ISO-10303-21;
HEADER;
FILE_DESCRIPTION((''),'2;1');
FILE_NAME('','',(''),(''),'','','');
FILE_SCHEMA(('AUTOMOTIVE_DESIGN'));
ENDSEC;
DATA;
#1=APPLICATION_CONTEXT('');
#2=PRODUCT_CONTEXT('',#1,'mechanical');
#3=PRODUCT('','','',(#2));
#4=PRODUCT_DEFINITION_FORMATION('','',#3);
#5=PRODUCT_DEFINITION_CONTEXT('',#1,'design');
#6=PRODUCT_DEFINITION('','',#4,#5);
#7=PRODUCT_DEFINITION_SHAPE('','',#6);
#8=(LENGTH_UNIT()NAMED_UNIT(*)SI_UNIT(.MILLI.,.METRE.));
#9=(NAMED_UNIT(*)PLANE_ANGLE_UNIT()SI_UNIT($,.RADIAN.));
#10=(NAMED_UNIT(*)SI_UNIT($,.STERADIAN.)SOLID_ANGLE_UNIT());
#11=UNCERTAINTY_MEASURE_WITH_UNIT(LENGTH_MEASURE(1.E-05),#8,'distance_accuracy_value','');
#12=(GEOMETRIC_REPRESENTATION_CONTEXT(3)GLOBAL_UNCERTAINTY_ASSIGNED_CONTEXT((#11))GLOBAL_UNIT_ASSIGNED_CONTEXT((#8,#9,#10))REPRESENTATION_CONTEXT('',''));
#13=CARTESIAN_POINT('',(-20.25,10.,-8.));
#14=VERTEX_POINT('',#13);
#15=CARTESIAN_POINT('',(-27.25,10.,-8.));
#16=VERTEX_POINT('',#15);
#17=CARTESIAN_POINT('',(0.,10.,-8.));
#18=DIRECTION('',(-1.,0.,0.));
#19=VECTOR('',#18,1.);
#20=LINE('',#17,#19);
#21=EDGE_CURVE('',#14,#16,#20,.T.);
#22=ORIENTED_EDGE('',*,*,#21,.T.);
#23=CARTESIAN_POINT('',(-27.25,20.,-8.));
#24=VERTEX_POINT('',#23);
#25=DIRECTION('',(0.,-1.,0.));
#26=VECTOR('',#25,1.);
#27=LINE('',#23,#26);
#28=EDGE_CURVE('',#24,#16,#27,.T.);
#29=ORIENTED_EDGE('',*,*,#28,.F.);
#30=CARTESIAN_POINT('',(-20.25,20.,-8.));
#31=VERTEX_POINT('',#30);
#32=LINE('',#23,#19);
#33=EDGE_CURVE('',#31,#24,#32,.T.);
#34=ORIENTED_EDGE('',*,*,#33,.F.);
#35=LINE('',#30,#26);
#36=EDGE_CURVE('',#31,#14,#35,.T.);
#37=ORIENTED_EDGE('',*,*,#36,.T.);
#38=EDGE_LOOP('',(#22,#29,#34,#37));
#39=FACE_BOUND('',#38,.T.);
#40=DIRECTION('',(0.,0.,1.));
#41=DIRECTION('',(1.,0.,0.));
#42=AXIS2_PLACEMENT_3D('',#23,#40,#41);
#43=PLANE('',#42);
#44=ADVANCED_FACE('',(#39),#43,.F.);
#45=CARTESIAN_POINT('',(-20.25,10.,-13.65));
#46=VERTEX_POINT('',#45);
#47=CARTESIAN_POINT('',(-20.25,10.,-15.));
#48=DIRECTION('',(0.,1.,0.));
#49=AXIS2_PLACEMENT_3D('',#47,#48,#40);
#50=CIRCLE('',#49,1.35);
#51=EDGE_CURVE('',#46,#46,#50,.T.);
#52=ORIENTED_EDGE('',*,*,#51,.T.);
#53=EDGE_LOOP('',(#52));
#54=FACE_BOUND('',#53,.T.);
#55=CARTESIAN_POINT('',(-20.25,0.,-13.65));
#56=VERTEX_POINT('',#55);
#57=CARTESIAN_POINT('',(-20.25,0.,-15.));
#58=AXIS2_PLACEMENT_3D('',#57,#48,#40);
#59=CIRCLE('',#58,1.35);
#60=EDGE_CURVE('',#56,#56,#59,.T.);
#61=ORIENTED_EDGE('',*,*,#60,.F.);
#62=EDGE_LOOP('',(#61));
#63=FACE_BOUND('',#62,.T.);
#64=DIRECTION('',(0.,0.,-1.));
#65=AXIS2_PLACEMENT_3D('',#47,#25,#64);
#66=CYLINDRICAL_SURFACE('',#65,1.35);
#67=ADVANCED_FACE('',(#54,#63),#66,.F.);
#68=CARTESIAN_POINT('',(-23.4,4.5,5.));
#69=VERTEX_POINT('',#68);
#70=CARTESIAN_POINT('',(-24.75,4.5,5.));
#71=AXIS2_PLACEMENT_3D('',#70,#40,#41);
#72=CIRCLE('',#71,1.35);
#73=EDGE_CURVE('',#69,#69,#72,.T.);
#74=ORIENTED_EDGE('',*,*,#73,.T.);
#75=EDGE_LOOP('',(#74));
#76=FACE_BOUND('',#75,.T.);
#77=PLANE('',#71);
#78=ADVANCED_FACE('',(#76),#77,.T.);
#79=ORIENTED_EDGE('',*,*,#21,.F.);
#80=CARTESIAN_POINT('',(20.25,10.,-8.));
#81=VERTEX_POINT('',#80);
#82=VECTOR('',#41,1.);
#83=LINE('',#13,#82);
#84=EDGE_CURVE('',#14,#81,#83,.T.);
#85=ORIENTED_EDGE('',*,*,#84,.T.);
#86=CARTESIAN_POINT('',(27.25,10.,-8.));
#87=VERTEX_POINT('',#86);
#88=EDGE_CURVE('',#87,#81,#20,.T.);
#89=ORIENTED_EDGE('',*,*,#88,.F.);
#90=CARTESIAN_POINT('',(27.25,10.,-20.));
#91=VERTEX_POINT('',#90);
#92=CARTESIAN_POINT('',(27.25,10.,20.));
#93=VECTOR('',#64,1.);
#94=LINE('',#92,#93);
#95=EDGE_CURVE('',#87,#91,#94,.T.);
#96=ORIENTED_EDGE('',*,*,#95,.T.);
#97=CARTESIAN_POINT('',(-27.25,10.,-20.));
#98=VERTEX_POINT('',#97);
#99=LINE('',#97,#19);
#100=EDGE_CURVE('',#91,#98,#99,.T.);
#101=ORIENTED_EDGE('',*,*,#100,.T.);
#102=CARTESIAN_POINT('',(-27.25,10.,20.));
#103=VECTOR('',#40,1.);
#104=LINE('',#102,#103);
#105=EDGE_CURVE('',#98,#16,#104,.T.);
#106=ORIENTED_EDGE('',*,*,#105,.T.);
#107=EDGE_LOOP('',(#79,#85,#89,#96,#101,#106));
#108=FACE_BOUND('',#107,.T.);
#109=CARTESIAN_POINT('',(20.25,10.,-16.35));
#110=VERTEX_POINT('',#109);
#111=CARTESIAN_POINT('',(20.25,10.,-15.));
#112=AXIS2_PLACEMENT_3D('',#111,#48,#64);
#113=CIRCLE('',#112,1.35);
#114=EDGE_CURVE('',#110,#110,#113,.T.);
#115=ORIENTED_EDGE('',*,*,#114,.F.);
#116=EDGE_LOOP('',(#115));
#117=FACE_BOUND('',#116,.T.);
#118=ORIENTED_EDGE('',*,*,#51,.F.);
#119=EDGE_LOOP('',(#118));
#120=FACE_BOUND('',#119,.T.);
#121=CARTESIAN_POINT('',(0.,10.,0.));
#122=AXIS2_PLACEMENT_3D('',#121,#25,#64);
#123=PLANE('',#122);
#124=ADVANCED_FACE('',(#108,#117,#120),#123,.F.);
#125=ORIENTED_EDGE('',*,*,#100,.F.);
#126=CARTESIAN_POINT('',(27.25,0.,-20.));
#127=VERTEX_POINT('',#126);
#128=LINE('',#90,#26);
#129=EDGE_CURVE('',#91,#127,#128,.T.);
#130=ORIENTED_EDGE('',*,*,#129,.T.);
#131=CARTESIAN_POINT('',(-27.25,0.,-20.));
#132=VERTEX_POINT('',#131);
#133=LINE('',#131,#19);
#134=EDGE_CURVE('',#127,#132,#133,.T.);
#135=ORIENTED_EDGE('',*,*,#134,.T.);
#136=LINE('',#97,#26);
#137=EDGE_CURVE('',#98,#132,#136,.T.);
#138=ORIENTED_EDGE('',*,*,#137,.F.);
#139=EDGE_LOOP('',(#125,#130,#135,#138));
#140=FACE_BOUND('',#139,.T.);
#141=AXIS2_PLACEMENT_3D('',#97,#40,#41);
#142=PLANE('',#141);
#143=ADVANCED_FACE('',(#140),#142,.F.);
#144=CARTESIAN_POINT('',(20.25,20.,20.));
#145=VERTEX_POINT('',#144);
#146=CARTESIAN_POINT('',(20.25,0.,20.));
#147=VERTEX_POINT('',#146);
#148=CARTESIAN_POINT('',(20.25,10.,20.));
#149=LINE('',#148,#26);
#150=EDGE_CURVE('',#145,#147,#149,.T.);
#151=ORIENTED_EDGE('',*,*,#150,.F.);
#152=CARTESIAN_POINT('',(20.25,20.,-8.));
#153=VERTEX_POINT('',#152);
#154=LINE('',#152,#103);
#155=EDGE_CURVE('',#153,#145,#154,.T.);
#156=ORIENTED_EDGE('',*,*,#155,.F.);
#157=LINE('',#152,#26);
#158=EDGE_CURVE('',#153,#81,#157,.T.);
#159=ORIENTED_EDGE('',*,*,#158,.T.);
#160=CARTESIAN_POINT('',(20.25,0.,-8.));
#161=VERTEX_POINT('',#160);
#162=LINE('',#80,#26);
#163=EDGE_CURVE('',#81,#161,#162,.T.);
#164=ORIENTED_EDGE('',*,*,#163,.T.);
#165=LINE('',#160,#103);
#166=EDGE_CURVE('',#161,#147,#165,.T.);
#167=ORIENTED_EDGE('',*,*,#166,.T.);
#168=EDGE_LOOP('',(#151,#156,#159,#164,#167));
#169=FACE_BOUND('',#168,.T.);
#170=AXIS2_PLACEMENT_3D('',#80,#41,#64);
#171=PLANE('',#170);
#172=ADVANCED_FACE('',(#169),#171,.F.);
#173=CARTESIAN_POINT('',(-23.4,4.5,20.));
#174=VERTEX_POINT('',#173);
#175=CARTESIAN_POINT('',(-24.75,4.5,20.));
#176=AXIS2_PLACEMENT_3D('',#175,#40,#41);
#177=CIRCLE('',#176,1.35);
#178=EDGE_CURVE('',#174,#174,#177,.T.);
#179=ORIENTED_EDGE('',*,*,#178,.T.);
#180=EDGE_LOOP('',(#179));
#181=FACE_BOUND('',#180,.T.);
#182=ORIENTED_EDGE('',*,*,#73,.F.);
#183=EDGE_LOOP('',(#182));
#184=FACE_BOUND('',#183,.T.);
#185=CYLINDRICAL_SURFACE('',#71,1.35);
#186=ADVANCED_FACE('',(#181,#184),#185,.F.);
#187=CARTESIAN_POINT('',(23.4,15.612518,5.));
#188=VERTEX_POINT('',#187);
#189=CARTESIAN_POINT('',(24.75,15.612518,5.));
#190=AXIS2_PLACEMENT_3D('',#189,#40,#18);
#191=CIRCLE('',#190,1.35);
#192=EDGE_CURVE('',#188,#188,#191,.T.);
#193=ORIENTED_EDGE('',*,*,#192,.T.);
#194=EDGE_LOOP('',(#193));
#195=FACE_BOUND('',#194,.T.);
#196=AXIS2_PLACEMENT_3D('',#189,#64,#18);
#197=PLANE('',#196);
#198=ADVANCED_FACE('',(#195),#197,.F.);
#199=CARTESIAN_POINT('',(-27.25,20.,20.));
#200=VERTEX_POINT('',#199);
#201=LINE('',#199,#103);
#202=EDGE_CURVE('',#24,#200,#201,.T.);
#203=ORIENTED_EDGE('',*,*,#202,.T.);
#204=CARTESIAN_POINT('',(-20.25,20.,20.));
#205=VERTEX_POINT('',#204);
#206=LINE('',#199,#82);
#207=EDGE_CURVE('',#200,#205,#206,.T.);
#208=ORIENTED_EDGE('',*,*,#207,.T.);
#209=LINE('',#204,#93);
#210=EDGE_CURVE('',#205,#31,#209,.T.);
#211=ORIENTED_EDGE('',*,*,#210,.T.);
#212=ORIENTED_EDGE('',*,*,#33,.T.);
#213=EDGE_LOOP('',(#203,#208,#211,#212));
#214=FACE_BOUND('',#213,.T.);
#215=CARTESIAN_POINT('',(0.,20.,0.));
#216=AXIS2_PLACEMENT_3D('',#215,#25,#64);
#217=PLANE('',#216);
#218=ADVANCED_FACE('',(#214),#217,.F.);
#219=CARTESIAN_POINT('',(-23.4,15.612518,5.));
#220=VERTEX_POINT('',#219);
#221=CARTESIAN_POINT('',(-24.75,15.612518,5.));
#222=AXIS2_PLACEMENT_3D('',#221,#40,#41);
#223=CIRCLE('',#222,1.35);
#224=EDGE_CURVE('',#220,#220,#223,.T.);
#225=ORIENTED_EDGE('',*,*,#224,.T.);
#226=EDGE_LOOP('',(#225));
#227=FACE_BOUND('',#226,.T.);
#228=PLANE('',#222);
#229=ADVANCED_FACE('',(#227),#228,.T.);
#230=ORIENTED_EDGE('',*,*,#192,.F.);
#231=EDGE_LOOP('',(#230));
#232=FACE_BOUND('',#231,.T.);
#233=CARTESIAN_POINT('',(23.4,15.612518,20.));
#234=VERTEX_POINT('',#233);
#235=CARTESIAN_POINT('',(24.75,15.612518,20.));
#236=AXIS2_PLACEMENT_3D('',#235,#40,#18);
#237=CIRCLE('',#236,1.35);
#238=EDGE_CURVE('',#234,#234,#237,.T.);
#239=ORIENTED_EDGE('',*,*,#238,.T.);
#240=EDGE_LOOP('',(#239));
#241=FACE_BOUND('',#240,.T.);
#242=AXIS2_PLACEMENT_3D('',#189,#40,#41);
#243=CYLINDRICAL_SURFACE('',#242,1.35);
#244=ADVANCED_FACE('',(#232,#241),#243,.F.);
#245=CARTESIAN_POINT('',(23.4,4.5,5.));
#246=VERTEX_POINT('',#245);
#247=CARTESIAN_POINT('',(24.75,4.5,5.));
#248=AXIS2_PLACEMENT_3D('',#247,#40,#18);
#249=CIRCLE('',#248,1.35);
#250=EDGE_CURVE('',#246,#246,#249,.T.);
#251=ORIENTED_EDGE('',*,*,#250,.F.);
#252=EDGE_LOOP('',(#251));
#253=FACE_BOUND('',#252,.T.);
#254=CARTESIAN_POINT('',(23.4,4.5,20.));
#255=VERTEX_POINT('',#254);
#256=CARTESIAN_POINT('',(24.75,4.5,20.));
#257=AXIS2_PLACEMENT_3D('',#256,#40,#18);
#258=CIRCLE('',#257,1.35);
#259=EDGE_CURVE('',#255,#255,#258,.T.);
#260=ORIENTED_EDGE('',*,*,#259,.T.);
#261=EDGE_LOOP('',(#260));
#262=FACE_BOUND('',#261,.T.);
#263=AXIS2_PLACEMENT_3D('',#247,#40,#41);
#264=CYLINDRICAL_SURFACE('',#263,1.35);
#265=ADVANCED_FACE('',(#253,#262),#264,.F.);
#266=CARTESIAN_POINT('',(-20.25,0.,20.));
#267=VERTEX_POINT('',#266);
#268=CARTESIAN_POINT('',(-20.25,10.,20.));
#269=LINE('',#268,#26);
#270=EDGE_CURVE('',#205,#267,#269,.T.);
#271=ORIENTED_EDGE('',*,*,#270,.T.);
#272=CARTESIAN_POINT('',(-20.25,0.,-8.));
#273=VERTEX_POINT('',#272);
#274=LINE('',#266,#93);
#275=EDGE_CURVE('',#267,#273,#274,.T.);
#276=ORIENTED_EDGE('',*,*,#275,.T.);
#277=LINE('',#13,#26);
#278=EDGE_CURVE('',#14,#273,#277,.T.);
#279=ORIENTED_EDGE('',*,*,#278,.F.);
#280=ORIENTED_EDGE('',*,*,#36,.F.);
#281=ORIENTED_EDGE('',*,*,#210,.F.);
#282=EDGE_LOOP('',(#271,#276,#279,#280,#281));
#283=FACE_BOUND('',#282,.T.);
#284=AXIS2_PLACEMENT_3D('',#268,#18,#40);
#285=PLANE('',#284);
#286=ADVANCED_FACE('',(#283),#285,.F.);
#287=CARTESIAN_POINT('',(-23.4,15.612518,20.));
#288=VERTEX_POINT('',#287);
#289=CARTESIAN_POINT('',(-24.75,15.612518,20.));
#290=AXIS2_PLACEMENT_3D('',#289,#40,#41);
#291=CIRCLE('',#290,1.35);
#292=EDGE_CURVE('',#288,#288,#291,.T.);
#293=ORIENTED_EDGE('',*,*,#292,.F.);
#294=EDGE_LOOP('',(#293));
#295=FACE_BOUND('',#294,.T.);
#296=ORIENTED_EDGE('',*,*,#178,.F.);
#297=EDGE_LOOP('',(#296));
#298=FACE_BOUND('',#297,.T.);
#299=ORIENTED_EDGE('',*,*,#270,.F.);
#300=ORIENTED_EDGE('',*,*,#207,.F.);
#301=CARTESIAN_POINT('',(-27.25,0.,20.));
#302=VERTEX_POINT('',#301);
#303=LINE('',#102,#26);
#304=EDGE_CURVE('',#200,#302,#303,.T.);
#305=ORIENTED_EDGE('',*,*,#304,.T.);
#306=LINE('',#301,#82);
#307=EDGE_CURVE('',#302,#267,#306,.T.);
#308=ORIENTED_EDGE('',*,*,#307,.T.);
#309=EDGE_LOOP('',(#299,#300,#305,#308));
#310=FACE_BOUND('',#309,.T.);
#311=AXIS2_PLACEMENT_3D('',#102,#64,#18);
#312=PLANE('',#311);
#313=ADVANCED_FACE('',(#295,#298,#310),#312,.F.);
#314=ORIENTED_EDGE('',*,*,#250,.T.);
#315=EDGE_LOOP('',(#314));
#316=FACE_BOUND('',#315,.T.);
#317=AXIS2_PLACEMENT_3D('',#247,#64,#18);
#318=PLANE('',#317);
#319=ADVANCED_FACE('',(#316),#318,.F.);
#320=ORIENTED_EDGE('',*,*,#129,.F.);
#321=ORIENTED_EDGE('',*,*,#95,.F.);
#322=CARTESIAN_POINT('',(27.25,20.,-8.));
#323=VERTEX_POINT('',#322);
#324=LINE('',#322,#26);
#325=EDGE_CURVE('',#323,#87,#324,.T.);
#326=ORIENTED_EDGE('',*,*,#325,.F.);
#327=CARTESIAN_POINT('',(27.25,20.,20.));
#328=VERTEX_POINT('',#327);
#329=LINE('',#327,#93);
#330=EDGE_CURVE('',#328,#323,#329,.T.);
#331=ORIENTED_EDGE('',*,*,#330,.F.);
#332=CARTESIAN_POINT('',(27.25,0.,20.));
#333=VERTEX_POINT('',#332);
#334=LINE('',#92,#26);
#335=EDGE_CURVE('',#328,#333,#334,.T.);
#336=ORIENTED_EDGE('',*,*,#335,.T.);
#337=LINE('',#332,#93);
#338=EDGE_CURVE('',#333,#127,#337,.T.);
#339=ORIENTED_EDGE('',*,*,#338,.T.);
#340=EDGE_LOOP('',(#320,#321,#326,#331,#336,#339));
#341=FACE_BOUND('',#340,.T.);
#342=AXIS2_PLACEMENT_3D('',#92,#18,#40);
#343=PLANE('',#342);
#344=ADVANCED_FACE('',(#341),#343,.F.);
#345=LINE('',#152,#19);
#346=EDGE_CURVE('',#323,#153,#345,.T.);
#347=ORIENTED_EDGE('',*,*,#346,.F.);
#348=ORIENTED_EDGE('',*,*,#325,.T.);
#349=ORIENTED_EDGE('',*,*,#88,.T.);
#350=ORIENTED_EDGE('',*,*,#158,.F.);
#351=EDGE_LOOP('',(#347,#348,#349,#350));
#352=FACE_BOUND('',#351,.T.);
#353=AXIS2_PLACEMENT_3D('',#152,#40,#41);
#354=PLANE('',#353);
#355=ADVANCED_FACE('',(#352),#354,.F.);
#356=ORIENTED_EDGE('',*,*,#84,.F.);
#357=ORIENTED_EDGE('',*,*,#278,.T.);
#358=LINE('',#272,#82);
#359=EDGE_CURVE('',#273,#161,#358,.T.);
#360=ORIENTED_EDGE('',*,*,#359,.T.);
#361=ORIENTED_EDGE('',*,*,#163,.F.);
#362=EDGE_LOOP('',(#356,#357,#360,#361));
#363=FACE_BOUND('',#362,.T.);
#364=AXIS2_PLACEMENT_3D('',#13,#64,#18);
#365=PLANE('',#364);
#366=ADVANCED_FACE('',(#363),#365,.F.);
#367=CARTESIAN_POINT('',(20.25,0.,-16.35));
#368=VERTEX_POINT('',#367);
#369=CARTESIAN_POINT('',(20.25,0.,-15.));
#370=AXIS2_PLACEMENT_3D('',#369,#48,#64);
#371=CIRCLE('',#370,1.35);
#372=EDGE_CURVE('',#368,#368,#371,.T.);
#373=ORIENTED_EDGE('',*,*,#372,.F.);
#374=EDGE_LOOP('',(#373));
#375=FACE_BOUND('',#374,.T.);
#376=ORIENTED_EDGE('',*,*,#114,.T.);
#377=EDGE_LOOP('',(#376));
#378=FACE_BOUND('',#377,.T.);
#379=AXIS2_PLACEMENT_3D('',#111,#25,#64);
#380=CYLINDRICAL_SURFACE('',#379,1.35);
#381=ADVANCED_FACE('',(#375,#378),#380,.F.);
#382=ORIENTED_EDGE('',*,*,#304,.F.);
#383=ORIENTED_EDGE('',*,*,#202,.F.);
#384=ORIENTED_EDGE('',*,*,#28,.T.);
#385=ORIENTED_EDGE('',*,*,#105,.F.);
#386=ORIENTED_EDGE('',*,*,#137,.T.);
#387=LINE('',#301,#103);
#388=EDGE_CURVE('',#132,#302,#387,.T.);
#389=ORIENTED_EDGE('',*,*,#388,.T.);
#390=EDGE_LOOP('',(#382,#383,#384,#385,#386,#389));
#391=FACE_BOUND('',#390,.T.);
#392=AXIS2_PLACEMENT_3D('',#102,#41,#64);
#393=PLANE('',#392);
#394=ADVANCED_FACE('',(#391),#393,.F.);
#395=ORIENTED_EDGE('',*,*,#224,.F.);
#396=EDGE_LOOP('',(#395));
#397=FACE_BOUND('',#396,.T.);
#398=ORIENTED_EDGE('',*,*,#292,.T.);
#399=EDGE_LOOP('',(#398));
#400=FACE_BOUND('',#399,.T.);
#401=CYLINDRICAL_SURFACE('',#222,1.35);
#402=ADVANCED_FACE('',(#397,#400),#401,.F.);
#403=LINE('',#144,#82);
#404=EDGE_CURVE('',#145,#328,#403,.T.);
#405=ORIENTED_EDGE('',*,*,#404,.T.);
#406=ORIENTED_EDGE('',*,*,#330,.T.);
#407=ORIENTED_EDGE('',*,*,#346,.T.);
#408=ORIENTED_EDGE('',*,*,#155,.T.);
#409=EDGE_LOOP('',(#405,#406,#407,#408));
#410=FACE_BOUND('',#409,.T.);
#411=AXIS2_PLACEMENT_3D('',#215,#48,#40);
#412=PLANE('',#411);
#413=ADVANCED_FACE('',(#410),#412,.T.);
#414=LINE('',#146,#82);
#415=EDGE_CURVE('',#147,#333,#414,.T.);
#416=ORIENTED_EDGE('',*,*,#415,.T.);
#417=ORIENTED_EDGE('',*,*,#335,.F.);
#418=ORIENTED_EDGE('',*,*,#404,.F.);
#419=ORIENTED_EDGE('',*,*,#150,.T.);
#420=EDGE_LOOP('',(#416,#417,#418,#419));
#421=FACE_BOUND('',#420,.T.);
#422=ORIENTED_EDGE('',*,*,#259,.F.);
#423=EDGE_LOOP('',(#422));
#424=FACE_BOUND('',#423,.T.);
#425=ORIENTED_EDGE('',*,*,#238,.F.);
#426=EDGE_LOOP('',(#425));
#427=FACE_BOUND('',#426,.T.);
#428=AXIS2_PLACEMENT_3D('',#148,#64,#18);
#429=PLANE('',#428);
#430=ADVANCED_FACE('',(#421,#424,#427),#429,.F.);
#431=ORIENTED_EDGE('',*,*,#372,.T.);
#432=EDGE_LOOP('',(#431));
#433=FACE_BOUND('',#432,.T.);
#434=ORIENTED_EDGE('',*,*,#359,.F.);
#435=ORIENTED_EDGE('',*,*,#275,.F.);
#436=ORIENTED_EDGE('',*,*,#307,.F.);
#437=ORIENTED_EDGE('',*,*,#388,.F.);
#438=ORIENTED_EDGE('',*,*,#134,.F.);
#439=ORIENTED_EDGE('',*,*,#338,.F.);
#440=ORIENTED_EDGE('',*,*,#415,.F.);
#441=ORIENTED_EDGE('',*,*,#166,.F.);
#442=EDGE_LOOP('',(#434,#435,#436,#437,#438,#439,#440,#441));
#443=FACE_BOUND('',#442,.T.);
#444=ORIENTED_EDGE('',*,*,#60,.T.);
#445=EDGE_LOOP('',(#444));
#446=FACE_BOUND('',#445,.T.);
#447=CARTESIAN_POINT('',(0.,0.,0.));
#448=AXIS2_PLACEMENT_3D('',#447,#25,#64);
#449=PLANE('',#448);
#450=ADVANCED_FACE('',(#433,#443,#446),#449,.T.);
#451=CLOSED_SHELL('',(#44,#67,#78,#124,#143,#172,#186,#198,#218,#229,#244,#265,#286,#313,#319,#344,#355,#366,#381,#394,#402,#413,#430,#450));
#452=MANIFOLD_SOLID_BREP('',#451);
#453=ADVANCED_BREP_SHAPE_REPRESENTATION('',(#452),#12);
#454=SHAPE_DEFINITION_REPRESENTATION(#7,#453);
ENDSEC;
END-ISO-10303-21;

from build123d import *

# Parameters (mm, degrees)
CROQUIS1_R              = 1.35
SALIENTE_EXTRUIR1_DEPTH = 10
CROQUIS2_W              = 7
CROQUIS2_H              = 28
SALIENTE_EXTRUIR2_DEPTH = 20
CROQUIS3_R              = 1.35
CORTAR_EXTRUIR1_DEPTH   = 15


with BuildPart() as part:
    # Croquis1 → Saliente-Extruir1 (new body)
    with BuildSketch(Plane(origin=(0, 0, 0), x_dir=(1, 0, 0), z_dir=(0, 1, 0))):
        Polygon((-20.25, -20), (-20.25, 8), (20.25, 8), (20.25, -20), (27.25, -20), (27.25, 20), (-27.25, 20), (-27.25, -20), align=None)
        with Locations(Location((-20.25, 15, 0), (0, 0, 270))):
            Circle(CROQUIS1_R, mode=Mode.SUBTRACT)
        with Locations(Location((20.25, 15, 0), (0, 0, 90))):
            Circle(CROQUIS1_R, mode=Mode.SUBTRACT)
    extrude(amount=SALIENTE_EXTRUIR1_DEPTH)

    # Croquis2 → Saliente-Extruir2 (add)
    with BuildSketch(Plane(origin=(0, 0, 0), x_dir=(1, 0, 0), z_dir=(0, 1, 0))):
        with Locations((-23.75, -6)):
            Rectangle(CROQUIS2_W, CROQUIS2_H)
        with Locations((23.75, -6)):
            Rectangle(CROQUIS2_W, CROQUIS2_H)
    extrude(amount=SALIENTE_EXTRUIR2_DEPTH)

    # Croquis3 → Cortar-Extruir1 (cut)
    with BuildSketch(Plane.XY.offset(20)):
        with Locations((-24.75, 15.612517806)):
            Circle(CROQUIS3_R)
        with Locations((-24.75, 4.5)):
            Circle(CROQUIS3_R)
        with Locations(Location((24.75, 4.5, 0), (0, 0, 180))):
            Circle(CROQUIS3_R)
        with Locations(Location((24.75, 15.612517806, 0), (0, 0, 180))):
            Circle(CROQUIS3_R)
    extrude(amount=-CORTAR_EXTRUIR1_DEPTH, mode=Mode.SUBTRACT)


solid = part.part
